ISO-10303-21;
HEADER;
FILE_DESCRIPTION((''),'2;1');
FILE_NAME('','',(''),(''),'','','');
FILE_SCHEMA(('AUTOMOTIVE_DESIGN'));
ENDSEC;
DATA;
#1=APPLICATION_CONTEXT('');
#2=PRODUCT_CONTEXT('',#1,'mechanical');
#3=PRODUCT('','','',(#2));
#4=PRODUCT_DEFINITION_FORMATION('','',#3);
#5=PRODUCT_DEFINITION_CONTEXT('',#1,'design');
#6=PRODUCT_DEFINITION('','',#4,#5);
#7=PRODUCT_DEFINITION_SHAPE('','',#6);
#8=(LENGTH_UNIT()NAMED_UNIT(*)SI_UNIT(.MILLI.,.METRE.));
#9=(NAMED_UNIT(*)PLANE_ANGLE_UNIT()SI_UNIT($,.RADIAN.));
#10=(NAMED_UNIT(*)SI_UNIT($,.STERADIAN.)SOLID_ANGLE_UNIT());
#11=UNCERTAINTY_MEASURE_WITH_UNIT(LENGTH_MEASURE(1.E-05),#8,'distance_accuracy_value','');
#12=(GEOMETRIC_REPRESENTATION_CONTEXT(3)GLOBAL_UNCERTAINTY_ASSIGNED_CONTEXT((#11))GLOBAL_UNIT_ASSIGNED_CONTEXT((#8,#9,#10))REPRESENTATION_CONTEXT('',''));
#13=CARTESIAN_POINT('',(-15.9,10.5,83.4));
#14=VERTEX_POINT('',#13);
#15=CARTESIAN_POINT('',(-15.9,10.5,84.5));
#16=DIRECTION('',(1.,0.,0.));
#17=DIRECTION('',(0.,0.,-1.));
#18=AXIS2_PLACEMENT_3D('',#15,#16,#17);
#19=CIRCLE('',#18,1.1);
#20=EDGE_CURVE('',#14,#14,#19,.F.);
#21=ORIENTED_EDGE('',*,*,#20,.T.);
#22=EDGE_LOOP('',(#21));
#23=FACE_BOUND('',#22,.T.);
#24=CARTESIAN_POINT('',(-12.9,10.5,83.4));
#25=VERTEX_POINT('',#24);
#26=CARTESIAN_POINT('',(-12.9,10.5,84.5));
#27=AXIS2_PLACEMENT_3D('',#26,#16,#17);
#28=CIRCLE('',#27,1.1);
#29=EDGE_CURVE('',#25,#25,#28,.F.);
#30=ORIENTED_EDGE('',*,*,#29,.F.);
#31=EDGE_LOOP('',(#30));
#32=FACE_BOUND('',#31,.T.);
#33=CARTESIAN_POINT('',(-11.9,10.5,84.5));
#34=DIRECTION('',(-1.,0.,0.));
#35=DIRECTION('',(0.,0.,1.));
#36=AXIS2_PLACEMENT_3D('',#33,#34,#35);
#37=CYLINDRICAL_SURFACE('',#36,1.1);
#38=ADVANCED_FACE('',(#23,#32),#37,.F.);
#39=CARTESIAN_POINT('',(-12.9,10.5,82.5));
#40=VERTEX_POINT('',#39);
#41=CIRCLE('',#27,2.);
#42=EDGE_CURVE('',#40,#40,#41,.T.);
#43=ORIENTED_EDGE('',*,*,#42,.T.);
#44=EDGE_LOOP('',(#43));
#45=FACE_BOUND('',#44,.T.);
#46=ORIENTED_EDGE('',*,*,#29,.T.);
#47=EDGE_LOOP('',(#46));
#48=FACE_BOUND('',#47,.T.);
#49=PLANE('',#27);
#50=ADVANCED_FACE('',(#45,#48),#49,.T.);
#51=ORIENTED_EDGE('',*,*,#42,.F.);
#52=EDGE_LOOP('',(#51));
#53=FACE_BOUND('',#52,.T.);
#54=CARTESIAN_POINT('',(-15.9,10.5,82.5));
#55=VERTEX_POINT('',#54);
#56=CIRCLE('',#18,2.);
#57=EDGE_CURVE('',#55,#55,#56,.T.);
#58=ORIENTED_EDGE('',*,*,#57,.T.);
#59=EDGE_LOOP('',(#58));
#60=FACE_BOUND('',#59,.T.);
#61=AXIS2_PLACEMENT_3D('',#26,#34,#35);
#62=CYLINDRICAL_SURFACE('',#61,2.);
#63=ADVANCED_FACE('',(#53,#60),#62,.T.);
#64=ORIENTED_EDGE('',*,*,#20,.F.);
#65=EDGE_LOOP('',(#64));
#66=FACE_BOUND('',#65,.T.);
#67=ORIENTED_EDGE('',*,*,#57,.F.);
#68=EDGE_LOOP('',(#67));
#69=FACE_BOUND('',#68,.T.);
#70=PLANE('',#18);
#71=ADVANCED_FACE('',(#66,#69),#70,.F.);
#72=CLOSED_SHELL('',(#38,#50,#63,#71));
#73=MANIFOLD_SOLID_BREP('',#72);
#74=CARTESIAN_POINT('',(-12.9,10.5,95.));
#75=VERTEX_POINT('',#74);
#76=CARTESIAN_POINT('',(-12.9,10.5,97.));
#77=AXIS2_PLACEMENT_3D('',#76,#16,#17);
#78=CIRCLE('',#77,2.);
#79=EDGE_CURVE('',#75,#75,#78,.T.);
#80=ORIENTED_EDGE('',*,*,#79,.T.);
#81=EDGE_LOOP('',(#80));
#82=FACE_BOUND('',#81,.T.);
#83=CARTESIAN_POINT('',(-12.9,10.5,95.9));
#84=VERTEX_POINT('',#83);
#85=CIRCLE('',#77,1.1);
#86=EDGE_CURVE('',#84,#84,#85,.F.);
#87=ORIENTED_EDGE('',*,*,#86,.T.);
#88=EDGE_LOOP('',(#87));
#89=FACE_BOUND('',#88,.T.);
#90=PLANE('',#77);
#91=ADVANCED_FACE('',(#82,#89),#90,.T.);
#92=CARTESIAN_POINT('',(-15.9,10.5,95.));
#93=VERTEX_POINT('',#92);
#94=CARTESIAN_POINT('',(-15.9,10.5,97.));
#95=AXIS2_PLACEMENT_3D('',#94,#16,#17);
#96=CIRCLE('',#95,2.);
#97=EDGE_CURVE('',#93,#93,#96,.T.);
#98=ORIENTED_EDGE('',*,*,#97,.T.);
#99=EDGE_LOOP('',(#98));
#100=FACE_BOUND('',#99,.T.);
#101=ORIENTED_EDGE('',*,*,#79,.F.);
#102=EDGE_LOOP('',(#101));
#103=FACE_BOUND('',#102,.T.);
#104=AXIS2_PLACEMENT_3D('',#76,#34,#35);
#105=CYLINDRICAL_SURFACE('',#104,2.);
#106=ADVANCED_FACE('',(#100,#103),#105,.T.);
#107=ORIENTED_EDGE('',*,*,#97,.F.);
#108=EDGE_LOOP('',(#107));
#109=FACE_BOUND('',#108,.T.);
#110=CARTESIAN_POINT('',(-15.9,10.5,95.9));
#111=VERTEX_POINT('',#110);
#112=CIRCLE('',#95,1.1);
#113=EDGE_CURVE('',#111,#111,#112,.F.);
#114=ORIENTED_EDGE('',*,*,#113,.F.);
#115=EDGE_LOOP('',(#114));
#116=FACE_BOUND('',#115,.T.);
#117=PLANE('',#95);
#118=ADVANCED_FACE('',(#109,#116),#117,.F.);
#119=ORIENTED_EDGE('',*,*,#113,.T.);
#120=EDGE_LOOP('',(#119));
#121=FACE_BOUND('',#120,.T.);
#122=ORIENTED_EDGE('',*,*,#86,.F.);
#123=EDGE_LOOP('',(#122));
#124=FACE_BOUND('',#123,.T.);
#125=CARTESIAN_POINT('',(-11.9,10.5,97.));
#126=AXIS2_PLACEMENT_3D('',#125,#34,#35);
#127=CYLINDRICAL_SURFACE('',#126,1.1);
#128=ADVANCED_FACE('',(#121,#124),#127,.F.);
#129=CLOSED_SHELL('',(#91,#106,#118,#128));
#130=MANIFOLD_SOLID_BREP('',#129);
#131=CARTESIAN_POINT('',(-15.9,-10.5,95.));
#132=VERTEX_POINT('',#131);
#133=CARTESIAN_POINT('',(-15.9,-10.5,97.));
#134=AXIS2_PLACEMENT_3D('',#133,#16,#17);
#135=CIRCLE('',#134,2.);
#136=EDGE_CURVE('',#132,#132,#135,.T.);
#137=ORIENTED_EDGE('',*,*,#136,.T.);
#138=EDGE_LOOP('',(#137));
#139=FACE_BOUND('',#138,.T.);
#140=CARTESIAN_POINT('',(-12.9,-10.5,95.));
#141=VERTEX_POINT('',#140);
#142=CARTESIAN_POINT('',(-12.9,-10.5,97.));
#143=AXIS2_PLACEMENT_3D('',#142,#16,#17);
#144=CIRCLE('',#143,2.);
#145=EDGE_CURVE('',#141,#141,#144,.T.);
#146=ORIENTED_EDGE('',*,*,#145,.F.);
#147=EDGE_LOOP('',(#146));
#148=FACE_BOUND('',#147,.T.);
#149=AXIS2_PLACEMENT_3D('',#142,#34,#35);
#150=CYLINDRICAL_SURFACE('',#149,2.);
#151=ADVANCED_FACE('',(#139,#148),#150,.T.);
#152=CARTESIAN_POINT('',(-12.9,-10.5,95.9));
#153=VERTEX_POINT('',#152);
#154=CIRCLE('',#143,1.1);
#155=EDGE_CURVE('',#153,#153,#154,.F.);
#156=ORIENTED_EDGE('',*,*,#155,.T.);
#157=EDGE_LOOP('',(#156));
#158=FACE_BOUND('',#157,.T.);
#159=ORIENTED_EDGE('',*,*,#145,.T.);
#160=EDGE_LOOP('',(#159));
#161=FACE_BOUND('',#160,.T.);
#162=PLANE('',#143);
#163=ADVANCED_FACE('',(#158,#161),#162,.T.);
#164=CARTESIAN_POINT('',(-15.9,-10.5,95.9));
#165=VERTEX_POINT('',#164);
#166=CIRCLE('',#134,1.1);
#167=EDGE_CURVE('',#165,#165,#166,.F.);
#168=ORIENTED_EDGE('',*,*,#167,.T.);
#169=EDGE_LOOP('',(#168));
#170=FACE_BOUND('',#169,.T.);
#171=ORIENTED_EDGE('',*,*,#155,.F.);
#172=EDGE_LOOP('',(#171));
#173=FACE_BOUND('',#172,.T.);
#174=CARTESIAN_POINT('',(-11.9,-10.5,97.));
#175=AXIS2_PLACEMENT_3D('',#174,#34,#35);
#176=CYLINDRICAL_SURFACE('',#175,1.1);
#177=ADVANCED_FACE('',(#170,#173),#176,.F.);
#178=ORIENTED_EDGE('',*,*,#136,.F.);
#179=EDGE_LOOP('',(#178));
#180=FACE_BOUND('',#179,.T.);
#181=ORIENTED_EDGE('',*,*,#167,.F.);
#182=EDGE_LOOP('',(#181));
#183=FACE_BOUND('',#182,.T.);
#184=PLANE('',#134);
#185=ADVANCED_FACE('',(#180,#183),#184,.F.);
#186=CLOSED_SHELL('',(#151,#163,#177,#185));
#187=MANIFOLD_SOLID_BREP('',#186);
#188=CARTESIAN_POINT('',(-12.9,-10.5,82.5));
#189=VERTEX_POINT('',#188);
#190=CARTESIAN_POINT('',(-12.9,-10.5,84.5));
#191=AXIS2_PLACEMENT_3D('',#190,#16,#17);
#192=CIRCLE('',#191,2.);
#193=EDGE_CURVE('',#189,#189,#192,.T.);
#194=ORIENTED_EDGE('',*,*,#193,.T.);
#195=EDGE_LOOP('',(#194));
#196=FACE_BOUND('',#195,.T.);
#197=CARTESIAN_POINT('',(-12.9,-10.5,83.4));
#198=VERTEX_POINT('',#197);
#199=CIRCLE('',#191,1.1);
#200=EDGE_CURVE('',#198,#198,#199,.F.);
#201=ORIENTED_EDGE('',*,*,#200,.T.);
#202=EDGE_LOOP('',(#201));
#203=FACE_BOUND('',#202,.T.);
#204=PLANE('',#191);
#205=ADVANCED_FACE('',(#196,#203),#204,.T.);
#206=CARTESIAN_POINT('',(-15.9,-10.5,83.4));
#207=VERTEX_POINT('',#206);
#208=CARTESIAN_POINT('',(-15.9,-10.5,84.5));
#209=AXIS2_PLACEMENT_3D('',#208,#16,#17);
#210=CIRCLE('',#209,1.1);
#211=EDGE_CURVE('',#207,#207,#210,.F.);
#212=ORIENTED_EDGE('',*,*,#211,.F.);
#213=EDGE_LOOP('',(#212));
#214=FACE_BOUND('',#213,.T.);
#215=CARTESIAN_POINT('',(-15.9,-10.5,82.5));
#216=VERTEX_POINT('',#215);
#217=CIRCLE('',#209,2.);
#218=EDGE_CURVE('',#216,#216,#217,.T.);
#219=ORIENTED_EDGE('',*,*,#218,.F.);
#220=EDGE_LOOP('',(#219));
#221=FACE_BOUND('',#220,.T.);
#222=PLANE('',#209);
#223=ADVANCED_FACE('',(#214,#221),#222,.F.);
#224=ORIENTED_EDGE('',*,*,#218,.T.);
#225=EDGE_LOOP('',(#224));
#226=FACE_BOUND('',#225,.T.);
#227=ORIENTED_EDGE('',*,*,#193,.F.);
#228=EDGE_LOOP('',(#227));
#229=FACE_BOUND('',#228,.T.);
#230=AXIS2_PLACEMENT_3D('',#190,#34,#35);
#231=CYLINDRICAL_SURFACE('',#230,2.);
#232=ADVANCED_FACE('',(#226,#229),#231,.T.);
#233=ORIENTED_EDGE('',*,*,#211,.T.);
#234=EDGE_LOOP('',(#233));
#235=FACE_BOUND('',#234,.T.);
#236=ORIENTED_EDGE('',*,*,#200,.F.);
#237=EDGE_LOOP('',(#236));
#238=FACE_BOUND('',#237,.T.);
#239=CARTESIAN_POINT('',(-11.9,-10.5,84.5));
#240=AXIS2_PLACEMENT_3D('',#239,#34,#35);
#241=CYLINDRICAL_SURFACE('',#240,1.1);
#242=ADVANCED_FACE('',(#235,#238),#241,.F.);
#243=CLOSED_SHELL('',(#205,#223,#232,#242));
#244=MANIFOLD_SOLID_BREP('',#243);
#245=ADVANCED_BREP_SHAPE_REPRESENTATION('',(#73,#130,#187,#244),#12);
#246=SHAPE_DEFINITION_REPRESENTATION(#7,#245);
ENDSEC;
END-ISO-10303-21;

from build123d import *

# Parameters (mm, degrees)
CROQUIS1_R                = 2
SALIENTE_EXTRUIR1_DEPTH   = 3
SALIENTE_EXTRUIR1_2_DEPTH = 3
SALIENTE_EXTRUIR1_3_DEPTH = 3
SALIENTE_EXTRUIR1_4_DEPTH = 3
CROQUIS2_R                = 1.1
CORTAR_EXTRUIR1_DEPTH     = 5


with BuildPart() as part:
    # Croquis1 → Saliente-Extruir1 (new body)
    with BuildSketch(Plane(origin=(-15.9, 0, 0), x_dir=(0, 0, -1), z_dir=(1, 0, 0))):
        with Locations((-97, -10.5)):
            Circle(CROQUIS1_R)
    extrude(amount=SALIENTE_EXTRUIR1_DEPTH)


with BuildPart() as body_2:
    # Croquis1 → Saliente-Extruir1 2 (new body)
    with BuildSketch(Plane(origin=(-15.9, 0, 0), x_dir=(0, 0, -1), z_dir=(1, 0, 0))):
        with Locations((-84.5, -10.5)):
            Circle(CROQUIS1_R)
    extrude(amount=SALIENTE_EXTRUIR1_2_DEPTH)


with BuildPart() as body_3:
    # Croquis1 → Saliente-Extruir1 3 (new body)
    with BuildSketch(Plane(origin=(-15.9, 0, 0), x_dir=(0, 0, -1), z_dir=(1, 0, 0))):
        with Locations((-97, 10.5)):
            Circle(CROQUIS1_R)
    extrude(amount=SALIENTE_EXTRUIR1_3_DEPTH)


with BuildPart() as body_4:
    # Croquis1 → Saliente-Extruir1 4 (new body)
    with BuildSketch(Plane(origin=(-15.9, 0, 0), x_dir=(0, 0, -1), z_dir=(1, 0, 0))):
        with Locations((-84.5, 10.5)):
            Circle(CROQUIS1_R)
    extrude(amount=SALIENTE_EXTRUIR1_4_DEPTH)


with BuildPart() as cortar_extruir1_tool:
    # Croquis2 → Cortar-Extruir1 (new body)
    with BuildSketch(Plane(origin=(-16.9, 0, 0), x_dir=(0, 0, -1), z_dir=(1, 0, 0))):
        with Locations((-97, -10.5)):
            Circle(CROQUIS2_R)
        with Locations((-84.5, -10.5)):
            Circle(CROQUIS2_R)
        with Locations((-97, 10.5)):
            Circle(CROQUIS2_R)
        with Locations((-84.5, 10.5)):
            Circle(CROQUIS2_R)
    extrude(amount=CORTAR_EXTRUIR1_DEPTH)


with BuildPart() as part_1:
    add(part.part)

    # Cortar-Extruir1: cut by cortar_extruir1_tool
    add(cortar_extruir1_tool.part, mode=Mode.SUBTRACT)


with BuildPart() as body_2_1:
    add(body_2.part)

    # Cortar-Extruir1: cut by cortar_extruir1_tool
    add(cortar_extruir1_tool.part, mode=Mode.SUBTRACT)


with BuildPart() as body_3_1:
    add(body_3.part)

    # Cortar-Extruir1: cut by cortar_extruir1_tool
    add(cortar_extruir1_tool.part, mode=Mode.SUBTRACT)


with BuildPart() as body_4_1:
    add(body_4.part)

    # Cortar-Extruir1: cut by cortar_extruir1_tool
    add(cortar_extruir1_tool.part, mode=Mode.SUBTRACT)


solid = Compound([part_1.part, body_2_1.part, body_3_1.part, body_4_1.part])
